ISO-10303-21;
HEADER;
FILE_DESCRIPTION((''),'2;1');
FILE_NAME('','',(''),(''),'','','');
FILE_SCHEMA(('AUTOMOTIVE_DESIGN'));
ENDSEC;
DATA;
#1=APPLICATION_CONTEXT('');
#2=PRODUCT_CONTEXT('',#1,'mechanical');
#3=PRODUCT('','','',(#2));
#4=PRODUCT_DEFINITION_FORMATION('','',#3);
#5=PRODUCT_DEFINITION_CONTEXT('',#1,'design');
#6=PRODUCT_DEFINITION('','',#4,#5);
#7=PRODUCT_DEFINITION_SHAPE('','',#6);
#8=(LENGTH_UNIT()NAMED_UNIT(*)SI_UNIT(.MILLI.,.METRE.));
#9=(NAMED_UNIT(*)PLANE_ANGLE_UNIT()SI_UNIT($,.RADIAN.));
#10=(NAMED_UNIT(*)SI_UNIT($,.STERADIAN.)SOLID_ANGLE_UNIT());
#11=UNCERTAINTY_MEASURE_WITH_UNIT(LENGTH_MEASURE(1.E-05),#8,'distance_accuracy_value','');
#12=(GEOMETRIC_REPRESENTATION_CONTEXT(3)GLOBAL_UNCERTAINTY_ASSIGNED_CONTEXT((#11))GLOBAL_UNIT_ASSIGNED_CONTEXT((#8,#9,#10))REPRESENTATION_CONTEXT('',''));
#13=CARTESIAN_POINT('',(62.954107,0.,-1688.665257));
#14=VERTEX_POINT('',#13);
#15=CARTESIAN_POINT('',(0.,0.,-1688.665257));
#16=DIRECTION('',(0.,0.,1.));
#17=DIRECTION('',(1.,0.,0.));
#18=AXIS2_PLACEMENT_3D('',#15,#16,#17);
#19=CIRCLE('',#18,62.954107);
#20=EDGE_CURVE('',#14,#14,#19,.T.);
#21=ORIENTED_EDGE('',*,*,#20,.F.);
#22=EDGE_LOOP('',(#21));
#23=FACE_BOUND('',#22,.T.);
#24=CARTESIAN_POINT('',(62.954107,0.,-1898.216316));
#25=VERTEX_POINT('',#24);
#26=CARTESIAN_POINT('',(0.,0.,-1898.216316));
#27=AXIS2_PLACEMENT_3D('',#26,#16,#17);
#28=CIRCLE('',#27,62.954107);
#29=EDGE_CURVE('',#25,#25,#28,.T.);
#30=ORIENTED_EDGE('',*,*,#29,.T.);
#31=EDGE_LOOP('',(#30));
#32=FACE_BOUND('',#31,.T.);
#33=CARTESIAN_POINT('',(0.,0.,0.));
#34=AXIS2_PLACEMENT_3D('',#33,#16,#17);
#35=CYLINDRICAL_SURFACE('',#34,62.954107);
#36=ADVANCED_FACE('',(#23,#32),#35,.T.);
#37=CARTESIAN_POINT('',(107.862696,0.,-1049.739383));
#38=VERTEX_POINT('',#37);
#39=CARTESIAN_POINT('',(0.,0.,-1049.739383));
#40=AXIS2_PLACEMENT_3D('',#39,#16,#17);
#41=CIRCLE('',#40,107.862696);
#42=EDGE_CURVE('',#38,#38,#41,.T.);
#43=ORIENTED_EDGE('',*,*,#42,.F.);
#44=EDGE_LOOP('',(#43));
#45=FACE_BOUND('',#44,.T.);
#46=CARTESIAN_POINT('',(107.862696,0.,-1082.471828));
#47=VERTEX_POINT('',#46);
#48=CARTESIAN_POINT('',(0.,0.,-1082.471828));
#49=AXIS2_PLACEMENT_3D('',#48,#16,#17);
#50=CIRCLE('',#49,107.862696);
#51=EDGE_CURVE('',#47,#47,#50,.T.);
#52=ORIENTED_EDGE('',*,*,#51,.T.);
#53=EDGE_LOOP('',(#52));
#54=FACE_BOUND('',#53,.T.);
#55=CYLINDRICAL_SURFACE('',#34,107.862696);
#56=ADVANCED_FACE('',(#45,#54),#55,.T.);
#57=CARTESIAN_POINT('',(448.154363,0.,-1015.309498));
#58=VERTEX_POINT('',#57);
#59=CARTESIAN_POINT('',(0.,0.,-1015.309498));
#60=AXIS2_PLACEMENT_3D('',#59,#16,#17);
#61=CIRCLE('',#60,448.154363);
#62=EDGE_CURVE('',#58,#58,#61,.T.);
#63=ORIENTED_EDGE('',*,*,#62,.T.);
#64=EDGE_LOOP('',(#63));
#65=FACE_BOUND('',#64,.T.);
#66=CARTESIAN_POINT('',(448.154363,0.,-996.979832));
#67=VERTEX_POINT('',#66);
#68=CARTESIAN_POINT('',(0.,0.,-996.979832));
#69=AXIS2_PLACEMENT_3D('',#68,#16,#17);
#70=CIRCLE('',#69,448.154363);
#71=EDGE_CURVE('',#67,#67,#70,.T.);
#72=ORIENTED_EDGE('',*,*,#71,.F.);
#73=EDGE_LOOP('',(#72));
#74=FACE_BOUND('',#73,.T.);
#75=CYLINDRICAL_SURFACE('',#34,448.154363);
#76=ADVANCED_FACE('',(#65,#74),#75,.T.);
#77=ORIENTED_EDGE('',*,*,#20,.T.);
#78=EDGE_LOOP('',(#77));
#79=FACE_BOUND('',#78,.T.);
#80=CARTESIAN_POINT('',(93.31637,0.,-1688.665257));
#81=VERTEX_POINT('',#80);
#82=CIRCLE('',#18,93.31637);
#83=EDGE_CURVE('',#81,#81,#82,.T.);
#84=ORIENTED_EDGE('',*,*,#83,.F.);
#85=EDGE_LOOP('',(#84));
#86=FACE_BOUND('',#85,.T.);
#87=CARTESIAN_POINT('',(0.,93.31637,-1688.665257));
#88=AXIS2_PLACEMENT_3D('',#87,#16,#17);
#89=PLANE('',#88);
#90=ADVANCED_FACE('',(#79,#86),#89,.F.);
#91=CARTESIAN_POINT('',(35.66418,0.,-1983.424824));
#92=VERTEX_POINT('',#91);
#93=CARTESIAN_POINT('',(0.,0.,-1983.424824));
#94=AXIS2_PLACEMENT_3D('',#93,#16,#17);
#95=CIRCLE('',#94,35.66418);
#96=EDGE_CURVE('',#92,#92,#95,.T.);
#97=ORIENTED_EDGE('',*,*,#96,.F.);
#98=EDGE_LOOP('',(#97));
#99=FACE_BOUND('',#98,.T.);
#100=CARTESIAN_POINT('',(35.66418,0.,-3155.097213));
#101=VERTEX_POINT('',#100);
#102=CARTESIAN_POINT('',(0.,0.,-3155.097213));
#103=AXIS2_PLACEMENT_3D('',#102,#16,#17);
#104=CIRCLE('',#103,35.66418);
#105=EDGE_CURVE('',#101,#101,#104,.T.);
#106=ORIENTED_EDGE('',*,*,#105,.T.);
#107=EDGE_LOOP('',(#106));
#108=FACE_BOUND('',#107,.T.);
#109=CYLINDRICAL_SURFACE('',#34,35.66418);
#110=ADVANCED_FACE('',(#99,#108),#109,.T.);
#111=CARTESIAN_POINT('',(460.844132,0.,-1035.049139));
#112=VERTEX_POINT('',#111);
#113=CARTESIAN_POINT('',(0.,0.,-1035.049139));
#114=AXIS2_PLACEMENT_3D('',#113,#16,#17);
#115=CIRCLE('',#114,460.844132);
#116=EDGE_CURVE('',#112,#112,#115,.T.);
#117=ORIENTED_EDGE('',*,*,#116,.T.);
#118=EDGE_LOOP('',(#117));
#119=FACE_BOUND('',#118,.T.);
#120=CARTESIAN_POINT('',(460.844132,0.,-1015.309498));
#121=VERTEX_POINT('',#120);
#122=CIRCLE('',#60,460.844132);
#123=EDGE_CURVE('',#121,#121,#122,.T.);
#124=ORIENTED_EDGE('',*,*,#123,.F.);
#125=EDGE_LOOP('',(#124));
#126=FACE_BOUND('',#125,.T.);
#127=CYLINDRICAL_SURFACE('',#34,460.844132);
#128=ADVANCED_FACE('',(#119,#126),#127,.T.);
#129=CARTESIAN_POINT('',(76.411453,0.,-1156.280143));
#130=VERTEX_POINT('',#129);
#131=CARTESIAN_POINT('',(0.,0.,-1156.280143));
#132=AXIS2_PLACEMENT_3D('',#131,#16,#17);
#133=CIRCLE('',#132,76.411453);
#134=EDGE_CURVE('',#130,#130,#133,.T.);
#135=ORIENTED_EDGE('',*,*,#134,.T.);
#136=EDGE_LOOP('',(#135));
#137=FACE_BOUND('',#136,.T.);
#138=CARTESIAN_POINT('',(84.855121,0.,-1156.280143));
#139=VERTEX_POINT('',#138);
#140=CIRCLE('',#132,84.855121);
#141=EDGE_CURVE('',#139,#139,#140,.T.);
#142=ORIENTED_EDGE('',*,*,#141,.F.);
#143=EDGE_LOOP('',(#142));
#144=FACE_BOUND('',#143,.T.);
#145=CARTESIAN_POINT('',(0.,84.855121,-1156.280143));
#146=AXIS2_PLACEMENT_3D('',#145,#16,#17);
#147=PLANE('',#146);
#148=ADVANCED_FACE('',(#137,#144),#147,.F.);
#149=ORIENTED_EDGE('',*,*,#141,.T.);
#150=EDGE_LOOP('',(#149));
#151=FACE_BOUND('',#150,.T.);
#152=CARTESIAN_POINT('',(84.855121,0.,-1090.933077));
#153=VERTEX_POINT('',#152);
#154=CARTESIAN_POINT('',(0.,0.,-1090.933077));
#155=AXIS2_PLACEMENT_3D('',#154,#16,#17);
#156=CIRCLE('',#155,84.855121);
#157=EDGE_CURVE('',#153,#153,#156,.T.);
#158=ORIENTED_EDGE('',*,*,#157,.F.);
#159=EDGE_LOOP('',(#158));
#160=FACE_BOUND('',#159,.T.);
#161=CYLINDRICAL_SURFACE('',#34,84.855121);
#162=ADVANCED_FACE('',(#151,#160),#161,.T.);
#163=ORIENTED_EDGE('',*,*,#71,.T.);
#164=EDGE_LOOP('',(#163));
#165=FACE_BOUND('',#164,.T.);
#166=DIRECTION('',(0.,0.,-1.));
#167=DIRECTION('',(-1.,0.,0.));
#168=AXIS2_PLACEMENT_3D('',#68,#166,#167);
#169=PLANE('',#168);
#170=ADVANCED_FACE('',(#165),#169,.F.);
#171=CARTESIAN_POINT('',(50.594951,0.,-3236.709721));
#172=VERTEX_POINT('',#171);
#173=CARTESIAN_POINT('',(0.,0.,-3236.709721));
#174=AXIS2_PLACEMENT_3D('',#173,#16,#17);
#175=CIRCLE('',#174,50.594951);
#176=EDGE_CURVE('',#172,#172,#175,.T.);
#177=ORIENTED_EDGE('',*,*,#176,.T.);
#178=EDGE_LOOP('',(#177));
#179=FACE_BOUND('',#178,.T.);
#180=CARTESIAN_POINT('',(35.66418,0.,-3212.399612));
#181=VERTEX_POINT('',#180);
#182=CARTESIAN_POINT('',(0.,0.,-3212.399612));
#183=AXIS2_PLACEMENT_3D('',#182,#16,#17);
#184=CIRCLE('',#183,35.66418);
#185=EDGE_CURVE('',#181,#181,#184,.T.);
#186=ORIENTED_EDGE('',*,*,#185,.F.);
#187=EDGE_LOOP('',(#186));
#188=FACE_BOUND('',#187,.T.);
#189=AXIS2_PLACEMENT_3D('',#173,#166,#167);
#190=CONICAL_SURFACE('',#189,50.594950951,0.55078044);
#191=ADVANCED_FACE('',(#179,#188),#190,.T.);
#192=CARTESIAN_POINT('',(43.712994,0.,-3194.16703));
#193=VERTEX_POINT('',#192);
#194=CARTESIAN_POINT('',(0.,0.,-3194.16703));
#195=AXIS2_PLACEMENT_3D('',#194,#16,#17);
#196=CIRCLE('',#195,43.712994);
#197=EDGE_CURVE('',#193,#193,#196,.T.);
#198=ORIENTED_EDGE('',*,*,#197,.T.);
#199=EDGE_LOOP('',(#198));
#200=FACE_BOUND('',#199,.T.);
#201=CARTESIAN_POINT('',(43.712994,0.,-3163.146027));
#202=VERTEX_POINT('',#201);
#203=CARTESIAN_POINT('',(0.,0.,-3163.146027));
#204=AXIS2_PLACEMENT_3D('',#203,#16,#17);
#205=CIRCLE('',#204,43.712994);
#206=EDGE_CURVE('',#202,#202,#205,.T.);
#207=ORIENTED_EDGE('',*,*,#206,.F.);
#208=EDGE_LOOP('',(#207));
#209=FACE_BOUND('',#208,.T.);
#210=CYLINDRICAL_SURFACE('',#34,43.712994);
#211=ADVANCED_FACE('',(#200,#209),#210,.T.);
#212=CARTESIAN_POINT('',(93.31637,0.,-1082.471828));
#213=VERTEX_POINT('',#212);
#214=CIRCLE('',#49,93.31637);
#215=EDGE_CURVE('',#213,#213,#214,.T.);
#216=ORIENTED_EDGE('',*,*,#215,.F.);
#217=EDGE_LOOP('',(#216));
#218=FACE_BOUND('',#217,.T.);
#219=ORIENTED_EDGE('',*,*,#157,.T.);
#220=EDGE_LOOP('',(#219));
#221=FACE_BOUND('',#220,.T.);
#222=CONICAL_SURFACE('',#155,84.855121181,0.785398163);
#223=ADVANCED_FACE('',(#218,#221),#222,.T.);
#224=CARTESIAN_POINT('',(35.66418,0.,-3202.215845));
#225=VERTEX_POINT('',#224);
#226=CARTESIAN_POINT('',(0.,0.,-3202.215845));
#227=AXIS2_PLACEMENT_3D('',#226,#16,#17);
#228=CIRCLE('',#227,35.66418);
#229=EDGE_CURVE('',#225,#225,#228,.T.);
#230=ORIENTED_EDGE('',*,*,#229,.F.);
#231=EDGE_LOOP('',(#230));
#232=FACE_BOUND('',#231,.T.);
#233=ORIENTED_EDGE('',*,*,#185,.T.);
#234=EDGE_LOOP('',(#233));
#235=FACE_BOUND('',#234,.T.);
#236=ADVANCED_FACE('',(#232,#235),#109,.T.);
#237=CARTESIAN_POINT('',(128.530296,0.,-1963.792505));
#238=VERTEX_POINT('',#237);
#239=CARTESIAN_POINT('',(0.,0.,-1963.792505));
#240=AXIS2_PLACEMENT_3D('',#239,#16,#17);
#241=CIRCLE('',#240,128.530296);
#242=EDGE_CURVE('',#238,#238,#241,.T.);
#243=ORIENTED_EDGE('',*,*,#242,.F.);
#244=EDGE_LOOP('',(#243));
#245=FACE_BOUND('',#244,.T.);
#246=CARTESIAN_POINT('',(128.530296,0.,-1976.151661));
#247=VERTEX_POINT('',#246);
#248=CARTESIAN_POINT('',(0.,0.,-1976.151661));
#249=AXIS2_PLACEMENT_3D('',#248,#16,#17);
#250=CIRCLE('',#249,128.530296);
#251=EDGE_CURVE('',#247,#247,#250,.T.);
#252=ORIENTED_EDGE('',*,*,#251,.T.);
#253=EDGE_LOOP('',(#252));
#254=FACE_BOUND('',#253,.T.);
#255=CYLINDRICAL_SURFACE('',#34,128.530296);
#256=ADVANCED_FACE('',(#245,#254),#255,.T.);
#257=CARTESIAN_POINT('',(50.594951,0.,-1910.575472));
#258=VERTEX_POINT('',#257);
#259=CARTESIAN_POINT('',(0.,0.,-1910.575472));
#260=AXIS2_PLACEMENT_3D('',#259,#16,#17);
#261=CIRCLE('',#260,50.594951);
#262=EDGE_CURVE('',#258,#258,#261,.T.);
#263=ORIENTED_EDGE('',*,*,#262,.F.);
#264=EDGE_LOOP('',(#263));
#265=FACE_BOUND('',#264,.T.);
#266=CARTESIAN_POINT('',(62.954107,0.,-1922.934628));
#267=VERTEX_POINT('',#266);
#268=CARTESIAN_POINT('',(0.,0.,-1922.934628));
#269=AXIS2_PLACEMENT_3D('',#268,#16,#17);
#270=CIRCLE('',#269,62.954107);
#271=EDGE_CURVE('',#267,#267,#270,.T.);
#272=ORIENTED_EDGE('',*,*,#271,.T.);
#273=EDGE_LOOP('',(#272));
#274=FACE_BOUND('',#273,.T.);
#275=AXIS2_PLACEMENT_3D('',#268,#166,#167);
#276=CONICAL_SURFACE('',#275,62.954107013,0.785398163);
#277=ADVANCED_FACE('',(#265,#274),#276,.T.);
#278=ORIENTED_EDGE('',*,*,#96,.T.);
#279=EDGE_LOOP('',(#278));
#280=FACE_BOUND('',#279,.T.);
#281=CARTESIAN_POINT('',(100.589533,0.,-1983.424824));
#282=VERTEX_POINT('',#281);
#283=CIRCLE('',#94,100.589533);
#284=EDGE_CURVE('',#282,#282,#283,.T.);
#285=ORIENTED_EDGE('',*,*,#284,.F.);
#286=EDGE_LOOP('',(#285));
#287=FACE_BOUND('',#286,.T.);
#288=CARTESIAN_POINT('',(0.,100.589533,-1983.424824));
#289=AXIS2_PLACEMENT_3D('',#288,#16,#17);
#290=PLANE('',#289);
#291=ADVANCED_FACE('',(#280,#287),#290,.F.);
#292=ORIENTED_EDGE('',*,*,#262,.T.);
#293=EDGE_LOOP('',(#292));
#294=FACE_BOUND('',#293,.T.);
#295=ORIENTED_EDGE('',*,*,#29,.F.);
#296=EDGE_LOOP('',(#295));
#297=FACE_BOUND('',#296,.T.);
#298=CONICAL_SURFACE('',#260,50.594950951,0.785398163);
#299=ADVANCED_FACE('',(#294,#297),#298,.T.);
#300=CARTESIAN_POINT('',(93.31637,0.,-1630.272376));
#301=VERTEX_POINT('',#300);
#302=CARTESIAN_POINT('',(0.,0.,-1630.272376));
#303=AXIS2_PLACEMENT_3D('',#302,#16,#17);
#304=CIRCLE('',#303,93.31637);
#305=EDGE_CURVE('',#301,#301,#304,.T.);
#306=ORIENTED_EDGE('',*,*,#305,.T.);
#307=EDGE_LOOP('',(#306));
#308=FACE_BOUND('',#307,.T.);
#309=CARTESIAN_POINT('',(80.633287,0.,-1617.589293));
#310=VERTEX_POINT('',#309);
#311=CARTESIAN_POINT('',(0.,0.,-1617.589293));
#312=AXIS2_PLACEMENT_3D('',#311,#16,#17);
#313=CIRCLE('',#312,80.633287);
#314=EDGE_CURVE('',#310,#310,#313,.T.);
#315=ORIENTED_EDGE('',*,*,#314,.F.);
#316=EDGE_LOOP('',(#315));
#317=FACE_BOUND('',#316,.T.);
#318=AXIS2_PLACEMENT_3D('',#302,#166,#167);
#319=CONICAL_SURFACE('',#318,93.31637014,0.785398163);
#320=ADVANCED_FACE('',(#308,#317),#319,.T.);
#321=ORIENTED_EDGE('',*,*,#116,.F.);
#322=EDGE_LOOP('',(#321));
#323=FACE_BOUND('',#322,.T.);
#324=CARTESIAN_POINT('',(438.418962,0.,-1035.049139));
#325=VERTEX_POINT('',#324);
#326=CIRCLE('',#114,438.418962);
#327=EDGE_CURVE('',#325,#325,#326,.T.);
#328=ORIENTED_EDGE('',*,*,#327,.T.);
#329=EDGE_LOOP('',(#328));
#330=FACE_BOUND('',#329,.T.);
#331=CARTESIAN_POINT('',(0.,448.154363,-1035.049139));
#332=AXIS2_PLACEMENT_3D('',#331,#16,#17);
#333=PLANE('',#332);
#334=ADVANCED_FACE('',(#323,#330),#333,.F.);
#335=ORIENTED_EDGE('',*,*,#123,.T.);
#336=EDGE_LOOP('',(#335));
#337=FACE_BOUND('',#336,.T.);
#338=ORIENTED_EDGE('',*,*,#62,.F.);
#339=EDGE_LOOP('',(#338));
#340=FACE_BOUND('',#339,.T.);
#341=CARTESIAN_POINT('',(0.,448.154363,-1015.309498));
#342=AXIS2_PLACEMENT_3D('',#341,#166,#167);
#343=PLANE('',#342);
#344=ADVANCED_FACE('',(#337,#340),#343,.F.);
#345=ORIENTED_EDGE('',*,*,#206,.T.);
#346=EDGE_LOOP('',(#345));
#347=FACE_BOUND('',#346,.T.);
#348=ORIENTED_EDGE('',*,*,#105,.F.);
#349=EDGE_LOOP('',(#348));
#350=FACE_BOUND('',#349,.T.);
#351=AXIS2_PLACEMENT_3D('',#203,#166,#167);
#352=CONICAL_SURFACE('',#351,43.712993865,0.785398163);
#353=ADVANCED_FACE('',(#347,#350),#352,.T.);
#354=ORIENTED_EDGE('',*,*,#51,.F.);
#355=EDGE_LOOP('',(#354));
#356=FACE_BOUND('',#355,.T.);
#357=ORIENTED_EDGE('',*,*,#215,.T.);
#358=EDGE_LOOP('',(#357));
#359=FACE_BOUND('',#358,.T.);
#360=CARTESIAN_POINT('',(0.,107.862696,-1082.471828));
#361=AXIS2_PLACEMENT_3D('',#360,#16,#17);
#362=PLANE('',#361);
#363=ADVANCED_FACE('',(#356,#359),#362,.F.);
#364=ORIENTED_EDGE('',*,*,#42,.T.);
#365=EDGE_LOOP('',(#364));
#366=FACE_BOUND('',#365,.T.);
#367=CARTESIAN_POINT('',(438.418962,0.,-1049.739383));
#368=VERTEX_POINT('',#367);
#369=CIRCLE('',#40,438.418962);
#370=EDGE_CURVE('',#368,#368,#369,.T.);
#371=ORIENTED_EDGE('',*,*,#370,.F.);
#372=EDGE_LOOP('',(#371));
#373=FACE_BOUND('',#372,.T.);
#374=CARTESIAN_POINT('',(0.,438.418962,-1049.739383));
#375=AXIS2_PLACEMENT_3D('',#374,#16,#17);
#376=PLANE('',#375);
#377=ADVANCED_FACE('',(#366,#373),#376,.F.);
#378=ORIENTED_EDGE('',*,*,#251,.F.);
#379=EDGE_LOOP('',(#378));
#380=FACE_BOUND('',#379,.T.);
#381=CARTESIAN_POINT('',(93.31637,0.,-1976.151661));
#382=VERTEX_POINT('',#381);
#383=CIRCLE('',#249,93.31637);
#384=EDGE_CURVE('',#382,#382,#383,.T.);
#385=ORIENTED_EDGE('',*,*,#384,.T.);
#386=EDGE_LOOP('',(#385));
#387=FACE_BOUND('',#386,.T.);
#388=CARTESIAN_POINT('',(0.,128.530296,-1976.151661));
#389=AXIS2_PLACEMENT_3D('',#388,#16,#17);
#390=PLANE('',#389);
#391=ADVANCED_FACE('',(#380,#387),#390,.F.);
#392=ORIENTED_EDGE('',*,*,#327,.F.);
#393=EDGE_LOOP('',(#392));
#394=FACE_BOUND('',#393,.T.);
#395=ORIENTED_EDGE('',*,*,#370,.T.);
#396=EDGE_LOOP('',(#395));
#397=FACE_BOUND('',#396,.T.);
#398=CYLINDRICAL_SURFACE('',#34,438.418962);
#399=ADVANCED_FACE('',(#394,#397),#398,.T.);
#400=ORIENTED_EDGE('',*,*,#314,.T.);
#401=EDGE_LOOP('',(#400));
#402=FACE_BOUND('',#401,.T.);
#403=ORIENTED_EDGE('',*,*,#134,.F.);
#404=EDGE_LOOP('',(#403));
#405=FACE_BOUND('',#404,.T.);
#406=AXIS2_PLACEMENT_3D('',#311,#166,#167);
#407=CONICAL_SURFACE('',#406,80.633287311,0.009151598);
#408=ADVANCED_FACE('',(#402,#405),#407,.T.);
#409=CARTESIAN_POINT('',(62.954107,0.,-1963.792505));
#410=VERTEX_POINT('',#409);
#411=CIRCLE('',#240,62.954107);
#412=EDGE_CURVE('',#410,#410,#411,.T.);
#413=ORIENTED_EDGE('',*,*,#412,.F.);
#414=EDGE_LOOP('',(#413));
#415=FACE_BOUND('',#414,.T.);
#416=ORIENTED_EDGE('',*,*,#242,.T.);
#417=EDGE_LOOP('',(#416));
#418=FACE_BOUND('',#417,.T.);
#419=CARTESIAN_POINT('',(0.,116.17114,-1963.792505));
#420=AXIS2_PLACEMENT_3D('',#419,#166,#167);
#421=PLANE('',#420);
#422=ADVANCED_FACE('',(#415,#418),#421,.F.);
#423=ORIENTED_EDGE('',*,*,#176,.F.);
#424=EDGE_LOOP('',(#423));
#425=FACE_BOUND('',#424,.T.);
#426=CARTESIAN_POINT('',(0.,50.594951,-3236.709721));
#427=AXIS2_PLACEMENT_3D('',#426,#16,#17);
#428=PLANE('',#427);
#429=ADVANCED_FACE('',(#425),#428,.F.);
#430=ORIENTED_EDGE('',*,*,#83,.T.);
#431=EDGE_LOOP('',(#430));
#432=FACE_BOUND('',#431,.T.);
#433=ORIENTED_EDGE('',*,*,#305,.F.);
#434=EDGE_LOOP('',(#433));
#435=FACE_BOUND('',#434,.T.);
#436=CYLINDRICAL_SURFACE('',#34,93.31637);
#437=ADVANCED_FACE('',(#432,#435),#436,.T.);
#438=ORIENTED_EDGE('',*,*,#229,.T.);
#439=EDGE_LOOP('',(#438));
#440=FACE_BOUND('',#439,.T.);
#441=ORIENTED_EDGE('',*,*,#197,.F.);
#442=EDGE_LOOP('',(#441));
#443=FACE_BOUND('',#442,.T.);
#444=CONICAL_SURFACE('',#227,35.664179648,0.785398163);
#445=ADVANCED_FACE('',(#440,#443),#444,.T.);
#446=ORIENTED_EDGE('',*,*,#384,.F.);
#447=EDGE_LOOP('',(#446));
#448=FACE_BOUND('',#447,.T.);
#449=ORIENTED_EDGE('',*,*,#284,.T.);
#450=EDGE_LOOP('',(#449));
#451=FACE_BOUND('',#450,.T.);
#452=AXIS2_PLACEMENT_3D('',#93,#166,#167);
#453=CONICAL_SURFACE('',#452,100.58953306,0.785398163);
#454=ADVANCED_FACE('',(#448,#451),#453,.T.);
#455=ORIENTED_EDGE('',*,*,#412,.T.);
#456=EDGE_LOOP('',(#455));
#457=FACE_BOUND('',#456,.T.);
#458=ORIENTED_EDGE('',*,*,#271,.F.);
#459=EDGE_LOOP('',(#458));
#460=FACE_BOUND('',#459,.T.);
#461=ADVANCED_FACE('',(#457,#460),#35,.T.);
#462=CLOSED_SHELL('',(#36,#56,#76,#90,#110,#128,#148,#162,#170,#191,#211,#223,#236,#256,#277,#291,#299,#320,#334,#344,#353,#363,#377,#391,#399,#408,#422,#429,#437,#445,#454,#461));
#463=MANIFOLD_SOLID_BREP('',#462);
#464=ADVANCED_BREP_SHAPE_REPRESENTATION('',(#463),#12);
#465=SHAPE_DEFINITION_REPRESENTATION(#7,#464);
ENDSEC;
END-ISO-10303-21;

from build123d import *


with BuildPart() as part:
    # Sketch12 → Revolve2 (revolve)
    with BuildSketch(Plane(origin=(0, 0, 0), x_dir=(0, 0, -1), z_dir=(1, 0, 0))):
        Polygon((996.979831822, 0), (996.979831822, 448.154362623), (1015.309498351, 448.154362623), (1015.309498351, 460.844131759), (1035.049139229, 460.844131759), (1035.049139229, 448.154362623), (1035.049139229, 438.418962309), (1049.739382804, 438.418962309), (1049.739382804, 107.862695979), (1082.4718279, 107.862695979), (1082.4718279, 93.31637014), (1090.933076859, 84.855121181), (1156.280143072, 84.855121181), (1156.280143072, 76.411453441), (1617.589293356, 80.633287311), (1630.272376185, 93.31637014), (1688.665257097, 93.31637014), (1688.665257097, 62.954107013), (1898.216315919, 62.954107013), (1910.575471981, 50.594950951), (1922.934628043, 62.954107013), (1950.934428364, 62.954107013), (1963.792504571, 62.954107013), (1963.792504571, 116.171139603), (1963.792504571, 128.530295665), (1976.151660632, 128.530295665), (1976.151660632, 93.31637014), (1983.424823552, 100.58953306), (1983.424823552, 35.664179648), (3155.097212513, 35.664179648), (3163.146026729, 43.712993865), (3194.167030322, 43.712993865), (3202.215844538, 35.664179648), (3212.399611966, 35.664179648), (3236.709720825, 50.594950951), (3236.709720825, 0), align=None)
    revolve(axis=Axis((0, 0, 0), (0, 0, -1)))


solid = part.part
